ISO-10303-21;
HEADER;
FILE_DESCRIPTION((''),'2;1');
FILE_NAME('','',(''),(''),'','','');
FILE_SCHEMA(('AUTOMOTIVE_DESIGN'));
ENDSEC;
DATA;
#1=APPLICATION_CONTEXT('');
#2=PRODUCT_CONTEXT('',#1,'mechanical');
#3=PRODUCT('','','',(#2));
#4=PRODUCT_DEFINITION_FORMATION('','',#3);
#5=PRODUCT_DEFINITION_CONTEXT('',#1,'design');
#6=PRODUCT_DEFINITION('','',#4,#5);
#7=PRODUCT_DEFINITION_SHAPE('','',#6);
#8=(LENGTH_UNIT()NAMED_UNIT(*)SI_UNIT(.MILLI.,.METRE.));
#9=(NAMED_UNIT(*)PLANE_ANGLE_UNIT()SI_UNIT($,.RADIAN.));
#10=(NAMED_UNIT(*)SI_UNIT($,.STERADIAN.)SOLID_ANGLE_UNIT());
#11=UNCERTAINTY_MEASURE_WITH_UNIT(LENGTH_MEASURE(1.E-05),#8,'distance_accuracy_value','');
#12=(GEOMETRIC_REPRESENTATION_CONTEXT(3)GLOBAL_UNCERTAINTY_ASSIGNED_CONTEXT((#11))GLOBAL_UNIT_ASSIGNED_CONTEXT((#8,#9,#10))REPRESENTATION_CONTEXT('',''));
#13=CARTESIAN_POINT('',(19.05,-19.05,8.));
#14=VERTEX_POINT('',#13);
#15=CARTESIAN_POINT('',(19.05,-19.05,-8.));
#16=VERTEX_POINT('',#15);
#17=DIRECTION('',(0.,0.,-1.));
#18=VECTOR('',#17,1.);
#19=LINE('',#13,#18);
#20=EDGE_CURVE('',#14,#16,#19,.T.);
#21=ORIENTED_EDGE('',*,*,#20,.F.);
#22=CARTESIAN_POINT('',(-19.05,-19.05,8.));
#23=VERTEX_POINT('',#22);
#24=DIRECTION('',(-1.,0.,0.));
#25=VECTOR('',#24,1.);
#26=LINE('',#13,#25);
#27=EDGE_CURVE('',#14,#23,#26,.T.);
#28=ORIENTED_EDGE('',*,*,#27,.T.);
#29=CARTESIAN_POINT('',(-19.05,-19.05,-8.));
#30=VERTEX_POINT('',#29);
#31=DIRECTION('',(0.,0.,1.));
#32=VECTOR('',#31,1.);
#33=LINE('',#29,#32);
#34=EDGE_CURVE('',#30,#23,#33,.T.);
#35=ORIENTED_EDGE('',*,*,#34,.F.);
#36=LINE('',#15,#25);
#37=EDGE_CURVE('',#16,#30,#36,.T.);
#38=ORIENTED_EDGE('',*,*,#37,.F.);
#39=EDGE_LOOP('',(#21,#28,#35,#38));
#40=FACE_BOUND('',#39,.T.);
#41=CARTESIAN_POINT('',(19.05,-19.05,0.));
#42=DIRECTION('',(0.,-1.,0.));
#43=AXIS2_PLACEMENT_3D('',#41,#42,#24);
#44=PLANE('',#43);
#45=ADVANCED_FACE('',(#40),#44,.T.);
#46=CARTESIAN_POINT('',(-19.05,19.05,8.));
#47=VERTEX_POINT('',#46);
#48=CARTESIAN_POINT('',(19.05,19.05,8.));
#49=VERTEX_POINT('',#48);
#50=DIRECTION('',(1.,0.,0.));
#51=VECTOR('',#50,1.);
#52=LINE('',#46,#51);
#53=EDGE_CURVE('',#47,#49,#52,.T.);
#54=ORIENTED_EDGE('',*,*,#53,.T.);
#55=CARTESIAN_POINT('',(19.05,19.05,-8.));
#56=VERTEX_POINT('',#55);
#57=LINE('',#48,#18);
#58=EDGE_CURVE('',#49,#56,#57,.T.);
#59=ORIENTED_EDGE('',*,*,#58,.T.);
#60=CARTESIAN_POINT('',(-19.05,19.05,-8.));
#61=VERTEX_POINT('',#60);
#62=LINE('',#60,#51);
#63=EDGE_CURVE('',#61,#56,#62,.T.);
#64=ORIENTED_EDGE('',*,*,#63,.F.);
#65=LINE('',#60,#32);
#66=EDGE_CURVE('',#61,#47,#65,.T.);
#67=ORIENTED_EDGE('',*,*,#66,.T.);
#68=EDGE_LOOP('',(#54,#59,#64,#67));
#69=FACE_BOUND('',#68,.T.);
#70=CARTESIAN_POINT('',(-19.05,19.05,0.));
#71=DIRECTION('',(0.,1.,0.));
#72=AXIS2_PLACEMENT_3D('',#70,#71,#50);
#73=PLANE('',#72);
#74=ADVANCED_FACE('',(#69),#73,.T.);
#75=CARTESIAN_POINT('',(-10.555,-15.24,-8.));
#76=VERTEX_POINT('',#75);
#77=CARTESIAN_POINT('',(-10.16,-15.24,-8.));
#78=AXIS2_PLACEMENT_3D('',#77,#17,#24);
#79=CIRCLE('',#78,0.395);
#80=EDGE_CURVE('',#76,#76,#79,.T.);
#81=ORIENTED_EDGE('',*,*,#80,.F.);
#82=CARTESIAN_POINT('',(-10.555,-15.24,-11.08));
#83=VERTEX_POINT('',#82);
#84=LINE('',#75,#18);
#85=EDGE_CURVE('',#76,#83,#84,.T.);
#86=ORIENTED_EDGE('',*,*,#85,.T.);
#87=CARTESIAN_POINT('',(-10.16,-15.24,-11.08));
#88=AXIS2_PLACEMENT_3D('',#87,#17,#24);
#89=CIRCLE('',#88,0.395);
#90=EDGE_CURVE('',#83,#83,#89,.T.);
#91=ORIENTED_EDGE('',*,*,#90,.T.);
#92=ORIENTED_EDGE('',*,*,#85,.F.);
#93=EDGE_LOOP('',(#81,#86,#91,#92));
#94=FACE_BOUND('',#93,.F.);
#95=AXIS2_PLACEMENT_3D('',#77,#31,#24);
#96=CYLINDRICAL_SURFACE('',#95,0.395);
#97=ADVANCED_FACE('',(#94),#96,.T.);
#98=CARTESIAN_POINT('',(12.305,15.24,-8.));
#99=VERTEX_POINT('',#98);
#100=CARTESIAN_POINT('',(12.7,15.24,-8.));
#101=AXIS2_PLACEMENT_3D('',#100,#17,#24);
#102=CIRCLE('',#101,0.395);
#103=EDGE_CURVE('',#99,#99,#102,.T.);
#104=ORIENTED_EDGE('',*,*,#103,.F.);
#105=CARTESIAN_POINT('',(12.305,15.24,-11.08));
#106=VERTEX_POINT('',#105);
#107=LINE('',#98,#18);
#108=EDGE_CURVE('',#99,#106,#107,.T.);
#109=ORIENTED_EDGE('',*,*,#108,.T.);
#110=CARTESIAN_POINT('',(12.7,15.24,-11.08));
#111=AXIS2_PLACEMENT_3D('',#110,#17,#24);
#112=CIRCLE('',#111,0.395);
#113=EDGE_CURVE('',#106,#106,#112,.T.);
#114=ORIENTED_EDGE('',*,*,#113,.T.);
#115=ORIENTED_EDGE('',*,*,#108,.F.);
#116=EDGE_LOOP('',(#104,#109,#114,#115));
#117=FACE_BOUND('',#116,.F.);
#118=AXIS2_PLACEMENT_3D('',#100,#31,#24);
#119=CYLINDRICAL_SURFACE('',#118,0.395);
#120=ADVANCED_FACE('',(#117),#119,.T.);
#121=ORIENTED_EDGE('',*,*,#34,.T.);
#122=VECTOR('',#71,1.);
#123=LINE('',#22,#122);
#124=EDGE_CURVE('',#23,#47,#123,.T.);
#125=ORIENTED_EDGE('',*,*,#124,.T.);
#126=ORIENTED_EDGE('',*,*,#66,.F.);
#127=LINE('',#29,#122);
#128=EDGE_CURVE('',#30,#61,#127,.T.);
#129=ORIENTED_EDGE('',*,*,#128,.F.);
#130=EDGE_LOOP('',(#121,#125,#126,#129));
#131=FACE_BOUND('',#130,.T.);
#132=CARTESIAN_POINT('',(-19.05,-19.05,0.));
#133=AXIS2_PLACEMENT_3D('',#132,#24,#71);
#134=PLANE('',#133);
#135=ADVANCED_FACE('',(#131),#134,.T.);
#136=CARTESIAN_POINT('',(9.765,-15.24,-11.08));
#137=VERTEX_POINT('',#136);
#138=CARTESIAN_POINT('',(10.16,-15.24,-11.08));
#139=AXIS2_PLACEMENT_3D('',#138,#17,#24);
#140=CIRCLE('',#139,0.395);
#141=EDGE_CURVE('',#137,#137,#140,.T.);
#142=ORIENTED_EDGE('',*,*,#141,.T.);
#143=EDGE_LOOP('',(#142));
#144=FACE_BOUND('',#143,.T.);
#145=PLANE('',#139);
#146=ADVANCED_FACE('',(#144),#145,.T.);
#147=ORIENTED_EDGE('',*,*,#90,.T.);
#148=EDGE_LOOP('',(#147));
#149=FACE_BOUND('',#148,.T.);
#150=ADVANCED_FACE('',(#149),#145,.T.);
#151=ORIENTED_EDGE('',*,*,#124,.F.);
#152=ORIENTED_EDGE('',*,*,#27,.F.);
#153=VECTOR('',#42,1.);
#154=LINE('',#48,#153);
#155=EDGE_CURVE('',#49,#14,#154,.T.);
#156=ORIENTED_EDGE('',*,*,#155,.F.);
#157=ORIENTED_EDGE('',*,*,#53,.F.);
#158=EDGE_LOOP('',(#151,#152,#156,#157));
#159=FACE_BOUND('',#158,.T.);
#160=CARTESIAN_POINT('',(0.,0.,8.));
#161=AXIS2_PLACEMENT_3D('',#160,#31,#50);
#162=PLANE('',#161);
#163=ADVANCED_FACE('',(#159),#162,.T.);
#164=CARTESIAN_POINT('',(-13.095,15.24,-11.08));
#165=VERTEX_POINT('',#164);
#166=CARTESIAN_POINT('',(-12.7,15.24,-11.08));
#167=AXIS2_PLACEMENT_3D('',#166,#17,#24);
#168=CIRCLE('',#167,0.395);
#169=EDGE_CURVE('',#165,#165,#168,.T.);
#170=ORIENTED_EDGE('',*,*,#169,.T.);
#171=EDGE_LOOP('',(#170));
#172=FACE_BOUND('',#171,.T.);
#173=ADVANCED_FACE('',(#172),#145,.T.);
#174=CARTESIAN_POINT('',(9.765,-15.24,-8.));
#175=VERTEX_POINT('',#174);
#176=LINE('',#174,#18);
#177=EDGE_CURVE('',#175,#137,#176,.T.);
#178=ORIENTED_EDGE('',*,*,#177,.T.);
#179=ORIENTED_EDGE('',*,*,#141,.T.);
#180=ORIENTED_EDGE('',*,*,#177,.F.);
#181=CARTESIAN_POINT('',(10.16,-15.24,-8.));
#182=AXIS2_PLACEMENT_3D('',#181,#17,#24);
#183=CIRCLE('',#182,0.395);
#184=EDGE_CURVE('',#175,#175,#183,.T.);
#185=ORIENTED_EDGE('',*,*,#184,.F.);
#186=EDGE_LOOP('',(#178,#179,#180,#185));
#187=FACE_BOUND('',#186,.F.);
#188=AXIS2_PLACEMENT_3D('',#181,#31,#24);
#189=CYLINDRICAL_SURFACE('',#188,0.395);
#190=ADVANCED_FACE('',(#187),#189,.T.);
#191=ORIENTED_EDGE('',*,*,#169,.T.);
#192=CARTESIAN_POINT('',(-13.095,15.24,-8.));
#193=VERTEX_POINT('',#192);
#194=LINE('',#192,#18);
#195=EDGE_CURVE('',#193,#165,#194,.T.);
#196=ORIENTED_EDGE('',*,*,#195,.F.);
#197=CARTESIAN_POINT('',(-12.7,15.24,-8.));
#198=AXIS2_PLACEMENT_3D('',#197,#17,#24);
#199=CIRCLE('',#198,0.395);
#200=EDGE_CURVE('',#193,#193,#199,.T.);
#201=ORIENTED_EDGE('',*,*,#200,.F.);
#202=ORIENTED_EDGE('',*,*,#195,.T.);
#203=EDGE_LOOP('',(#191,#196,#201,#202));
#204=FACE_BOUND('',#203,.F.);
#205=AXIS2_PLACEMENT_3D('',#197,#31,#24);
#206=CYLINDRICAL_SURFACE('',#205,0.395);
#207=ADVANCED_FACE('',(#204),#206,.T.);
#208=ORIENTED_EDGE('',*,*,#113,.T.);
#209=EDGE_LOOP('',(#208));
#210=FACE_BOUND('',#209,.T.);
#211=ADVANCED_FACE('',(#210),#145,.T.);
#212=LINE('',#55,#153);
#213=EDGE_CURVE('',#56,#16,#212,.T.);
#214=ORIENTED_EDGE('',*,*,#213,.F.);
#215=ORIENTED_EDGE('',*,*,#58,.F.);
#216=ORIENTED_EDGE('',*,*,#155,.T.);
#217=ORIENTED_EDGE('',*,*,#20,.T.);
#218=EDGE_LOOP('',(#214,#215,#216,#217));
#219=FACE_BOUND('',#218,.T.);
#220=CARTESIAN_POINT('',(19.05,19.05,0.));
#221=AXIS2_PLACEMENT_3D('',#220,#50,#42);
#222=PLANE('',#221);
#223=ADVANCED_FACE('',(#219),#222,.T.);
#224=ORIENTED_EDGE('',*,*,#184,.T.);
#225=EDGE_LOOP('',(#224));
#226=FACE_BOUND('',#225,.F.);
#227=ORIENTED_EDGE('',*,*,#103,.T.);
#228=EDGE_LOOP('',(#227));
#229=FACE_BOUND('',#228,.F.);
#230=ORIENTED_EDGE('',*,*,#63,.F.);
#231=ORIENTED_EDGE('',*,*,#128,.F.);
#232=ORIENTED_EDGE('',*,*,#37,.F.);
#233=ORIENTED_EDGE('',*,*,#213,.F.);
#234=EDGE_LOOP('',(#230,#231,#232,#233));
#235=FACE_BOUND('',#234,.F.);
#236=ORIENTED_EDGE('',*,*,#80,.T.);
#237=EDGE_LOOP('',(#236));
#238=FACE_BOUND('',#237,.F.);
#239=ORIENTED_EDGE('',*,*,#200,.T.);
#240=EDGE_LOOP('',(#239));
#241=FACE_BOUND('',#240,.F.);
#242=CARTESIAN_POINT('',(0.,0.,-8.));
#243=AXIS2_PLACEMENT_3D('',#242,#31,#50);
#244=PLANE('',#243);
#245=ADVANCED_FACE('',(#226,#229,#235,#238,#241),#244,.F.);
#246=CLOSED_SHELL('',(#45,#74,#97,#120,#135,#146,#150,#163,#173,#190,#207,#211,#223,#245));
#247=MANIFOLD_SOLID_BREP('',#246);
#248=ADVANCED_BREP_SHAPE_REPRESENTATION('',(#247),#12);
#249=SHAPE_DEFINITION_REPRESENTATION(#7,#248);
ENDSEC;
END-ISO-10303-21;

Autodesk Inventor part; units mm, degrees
ref_plane "YZ Plane" through (0, 0, 0) normal (1, 0, 0) x (0, 1, 0)
ref_plane "XZ Plane" through (0, 0, 0) normal (0, 1, 0) x (-1, 0, 0)
ref_plane "XY Plane" through (0, 0, 0) normal (0, 0, 1) x (1, 0, 0)
sketch "Skizze1" plane through (0, 0, 0) normal (0, 0, 1) x (1, 0, 0)
  line L0 (-19.05, 19.05) -> (19.05, 19.05)
  line L1 (19.05, 19.05) -> (19.05, -19.05)
  line L2 (19.05, -19.05) -> (-19.05, -19.05)
  line L3 (-19.05, -19.05) -> (-19.05, 19.05)
  line L4 (-19.05, 19.05) -> (19.05, -19.05) construction
  point P0 (0, 0)
  point P1 (0, 0)
  dimension "d0" = 38.1
  dimension "d1" = 38.1
extrude "Extrusion1" add sketch "Skizze1" along normal mid plane 16
sketch "Skizze2" plane through (0, 0, -8) normal (0, 0, -1) x (-1, 0, 0)
  line L0 (19.05, 19.05) -> (-19.05, 19.05) construction
  line L1 (-19.05, 19.05) -> (-19.05, -19.05) construction
  line L2 (-19.05, -19.05) -> (19.05, -19.05) construction
  line L3 (19.05, -19.05) -> (19.05, 19.05) construction
  line L4 (-19.05, -19.05) -> (-19.05, 19.05) construction
  line L5 (-19.05, -19.05) -> (-19.05, -15.24) construction
  line L6 (19.05, -19.05) -> (-19.05, -19.05) construction
  line L7 (19.05, -19.05) -> (19.05, -15.24) construction
  line L8 (19.05, 19.05) -> (19.05, -19.05) construction
  line L9 (-19.05, -15.24) -> (-10.16, -15.24) construction
  line L10 (19.05, -15.24) -> (10.16, -15.24) construction
  line L11 (-19.05, 19.05) -> (19.05, 19.05) construction
  line L12 (-19.05, 19.05) -> (-19.05, 15.24) construction
  line L13 (-19.05, 15.24) -> (-12.7, 15.24) construction
  line L14 (19.05, 19.05) -> (19.05, 15.24) construction
  line L15 (19.05, 15.24) -> (12.7, 15.24) construction
  circle A0 centre (-10.16, -15.24) radius 0.395
  circle A1 centre (-12.7, 15.24) radius 0.395
  circle A2 centre (12.7, 15.24) radius 0.395
  circle A3 centre (10.16, -15.24) radius 0.395
  point P0 (0, 0)
  dimension "d4" = 3.81
  dimension "d5" = 3.81
  dimension "d8" = 8.89
  dimension "d9" = 8.89
  dimension "d10" = 3.81
  dimension "d11" = 6.35
  dimension "d12" = 3.81
  dimension "d13" = 6.35
  dimension "d14" = 0.79
  dimension "d15" = 0.79
  dimension "d16" = 0.79
  dimension "d17" = 0.79
extrude "Extrusion4" add sketch "Skizze2" along normal blind 5.08
sketch "Skizze3" plane through (10.16, -15.24, -13.08) normal (0, 0, -1) x (-1, 0, 0)
  circle A0 centre (0, 0) radius 0.395 projected
  circle A1 centre (20.32, 0) radius 0.395 projected
  circle A2 centre (22.86, 30.48) radius 0.395 projected
  circle A3 centre (-2.54, 30.48) radius 0.395 projected
  point P0 (10.16, 15.24)
extrude "Extrusion5" cut sketch "Skizze3" against normal blind 2
properties part number "DC DC converter (M1730CQEA06065)"
